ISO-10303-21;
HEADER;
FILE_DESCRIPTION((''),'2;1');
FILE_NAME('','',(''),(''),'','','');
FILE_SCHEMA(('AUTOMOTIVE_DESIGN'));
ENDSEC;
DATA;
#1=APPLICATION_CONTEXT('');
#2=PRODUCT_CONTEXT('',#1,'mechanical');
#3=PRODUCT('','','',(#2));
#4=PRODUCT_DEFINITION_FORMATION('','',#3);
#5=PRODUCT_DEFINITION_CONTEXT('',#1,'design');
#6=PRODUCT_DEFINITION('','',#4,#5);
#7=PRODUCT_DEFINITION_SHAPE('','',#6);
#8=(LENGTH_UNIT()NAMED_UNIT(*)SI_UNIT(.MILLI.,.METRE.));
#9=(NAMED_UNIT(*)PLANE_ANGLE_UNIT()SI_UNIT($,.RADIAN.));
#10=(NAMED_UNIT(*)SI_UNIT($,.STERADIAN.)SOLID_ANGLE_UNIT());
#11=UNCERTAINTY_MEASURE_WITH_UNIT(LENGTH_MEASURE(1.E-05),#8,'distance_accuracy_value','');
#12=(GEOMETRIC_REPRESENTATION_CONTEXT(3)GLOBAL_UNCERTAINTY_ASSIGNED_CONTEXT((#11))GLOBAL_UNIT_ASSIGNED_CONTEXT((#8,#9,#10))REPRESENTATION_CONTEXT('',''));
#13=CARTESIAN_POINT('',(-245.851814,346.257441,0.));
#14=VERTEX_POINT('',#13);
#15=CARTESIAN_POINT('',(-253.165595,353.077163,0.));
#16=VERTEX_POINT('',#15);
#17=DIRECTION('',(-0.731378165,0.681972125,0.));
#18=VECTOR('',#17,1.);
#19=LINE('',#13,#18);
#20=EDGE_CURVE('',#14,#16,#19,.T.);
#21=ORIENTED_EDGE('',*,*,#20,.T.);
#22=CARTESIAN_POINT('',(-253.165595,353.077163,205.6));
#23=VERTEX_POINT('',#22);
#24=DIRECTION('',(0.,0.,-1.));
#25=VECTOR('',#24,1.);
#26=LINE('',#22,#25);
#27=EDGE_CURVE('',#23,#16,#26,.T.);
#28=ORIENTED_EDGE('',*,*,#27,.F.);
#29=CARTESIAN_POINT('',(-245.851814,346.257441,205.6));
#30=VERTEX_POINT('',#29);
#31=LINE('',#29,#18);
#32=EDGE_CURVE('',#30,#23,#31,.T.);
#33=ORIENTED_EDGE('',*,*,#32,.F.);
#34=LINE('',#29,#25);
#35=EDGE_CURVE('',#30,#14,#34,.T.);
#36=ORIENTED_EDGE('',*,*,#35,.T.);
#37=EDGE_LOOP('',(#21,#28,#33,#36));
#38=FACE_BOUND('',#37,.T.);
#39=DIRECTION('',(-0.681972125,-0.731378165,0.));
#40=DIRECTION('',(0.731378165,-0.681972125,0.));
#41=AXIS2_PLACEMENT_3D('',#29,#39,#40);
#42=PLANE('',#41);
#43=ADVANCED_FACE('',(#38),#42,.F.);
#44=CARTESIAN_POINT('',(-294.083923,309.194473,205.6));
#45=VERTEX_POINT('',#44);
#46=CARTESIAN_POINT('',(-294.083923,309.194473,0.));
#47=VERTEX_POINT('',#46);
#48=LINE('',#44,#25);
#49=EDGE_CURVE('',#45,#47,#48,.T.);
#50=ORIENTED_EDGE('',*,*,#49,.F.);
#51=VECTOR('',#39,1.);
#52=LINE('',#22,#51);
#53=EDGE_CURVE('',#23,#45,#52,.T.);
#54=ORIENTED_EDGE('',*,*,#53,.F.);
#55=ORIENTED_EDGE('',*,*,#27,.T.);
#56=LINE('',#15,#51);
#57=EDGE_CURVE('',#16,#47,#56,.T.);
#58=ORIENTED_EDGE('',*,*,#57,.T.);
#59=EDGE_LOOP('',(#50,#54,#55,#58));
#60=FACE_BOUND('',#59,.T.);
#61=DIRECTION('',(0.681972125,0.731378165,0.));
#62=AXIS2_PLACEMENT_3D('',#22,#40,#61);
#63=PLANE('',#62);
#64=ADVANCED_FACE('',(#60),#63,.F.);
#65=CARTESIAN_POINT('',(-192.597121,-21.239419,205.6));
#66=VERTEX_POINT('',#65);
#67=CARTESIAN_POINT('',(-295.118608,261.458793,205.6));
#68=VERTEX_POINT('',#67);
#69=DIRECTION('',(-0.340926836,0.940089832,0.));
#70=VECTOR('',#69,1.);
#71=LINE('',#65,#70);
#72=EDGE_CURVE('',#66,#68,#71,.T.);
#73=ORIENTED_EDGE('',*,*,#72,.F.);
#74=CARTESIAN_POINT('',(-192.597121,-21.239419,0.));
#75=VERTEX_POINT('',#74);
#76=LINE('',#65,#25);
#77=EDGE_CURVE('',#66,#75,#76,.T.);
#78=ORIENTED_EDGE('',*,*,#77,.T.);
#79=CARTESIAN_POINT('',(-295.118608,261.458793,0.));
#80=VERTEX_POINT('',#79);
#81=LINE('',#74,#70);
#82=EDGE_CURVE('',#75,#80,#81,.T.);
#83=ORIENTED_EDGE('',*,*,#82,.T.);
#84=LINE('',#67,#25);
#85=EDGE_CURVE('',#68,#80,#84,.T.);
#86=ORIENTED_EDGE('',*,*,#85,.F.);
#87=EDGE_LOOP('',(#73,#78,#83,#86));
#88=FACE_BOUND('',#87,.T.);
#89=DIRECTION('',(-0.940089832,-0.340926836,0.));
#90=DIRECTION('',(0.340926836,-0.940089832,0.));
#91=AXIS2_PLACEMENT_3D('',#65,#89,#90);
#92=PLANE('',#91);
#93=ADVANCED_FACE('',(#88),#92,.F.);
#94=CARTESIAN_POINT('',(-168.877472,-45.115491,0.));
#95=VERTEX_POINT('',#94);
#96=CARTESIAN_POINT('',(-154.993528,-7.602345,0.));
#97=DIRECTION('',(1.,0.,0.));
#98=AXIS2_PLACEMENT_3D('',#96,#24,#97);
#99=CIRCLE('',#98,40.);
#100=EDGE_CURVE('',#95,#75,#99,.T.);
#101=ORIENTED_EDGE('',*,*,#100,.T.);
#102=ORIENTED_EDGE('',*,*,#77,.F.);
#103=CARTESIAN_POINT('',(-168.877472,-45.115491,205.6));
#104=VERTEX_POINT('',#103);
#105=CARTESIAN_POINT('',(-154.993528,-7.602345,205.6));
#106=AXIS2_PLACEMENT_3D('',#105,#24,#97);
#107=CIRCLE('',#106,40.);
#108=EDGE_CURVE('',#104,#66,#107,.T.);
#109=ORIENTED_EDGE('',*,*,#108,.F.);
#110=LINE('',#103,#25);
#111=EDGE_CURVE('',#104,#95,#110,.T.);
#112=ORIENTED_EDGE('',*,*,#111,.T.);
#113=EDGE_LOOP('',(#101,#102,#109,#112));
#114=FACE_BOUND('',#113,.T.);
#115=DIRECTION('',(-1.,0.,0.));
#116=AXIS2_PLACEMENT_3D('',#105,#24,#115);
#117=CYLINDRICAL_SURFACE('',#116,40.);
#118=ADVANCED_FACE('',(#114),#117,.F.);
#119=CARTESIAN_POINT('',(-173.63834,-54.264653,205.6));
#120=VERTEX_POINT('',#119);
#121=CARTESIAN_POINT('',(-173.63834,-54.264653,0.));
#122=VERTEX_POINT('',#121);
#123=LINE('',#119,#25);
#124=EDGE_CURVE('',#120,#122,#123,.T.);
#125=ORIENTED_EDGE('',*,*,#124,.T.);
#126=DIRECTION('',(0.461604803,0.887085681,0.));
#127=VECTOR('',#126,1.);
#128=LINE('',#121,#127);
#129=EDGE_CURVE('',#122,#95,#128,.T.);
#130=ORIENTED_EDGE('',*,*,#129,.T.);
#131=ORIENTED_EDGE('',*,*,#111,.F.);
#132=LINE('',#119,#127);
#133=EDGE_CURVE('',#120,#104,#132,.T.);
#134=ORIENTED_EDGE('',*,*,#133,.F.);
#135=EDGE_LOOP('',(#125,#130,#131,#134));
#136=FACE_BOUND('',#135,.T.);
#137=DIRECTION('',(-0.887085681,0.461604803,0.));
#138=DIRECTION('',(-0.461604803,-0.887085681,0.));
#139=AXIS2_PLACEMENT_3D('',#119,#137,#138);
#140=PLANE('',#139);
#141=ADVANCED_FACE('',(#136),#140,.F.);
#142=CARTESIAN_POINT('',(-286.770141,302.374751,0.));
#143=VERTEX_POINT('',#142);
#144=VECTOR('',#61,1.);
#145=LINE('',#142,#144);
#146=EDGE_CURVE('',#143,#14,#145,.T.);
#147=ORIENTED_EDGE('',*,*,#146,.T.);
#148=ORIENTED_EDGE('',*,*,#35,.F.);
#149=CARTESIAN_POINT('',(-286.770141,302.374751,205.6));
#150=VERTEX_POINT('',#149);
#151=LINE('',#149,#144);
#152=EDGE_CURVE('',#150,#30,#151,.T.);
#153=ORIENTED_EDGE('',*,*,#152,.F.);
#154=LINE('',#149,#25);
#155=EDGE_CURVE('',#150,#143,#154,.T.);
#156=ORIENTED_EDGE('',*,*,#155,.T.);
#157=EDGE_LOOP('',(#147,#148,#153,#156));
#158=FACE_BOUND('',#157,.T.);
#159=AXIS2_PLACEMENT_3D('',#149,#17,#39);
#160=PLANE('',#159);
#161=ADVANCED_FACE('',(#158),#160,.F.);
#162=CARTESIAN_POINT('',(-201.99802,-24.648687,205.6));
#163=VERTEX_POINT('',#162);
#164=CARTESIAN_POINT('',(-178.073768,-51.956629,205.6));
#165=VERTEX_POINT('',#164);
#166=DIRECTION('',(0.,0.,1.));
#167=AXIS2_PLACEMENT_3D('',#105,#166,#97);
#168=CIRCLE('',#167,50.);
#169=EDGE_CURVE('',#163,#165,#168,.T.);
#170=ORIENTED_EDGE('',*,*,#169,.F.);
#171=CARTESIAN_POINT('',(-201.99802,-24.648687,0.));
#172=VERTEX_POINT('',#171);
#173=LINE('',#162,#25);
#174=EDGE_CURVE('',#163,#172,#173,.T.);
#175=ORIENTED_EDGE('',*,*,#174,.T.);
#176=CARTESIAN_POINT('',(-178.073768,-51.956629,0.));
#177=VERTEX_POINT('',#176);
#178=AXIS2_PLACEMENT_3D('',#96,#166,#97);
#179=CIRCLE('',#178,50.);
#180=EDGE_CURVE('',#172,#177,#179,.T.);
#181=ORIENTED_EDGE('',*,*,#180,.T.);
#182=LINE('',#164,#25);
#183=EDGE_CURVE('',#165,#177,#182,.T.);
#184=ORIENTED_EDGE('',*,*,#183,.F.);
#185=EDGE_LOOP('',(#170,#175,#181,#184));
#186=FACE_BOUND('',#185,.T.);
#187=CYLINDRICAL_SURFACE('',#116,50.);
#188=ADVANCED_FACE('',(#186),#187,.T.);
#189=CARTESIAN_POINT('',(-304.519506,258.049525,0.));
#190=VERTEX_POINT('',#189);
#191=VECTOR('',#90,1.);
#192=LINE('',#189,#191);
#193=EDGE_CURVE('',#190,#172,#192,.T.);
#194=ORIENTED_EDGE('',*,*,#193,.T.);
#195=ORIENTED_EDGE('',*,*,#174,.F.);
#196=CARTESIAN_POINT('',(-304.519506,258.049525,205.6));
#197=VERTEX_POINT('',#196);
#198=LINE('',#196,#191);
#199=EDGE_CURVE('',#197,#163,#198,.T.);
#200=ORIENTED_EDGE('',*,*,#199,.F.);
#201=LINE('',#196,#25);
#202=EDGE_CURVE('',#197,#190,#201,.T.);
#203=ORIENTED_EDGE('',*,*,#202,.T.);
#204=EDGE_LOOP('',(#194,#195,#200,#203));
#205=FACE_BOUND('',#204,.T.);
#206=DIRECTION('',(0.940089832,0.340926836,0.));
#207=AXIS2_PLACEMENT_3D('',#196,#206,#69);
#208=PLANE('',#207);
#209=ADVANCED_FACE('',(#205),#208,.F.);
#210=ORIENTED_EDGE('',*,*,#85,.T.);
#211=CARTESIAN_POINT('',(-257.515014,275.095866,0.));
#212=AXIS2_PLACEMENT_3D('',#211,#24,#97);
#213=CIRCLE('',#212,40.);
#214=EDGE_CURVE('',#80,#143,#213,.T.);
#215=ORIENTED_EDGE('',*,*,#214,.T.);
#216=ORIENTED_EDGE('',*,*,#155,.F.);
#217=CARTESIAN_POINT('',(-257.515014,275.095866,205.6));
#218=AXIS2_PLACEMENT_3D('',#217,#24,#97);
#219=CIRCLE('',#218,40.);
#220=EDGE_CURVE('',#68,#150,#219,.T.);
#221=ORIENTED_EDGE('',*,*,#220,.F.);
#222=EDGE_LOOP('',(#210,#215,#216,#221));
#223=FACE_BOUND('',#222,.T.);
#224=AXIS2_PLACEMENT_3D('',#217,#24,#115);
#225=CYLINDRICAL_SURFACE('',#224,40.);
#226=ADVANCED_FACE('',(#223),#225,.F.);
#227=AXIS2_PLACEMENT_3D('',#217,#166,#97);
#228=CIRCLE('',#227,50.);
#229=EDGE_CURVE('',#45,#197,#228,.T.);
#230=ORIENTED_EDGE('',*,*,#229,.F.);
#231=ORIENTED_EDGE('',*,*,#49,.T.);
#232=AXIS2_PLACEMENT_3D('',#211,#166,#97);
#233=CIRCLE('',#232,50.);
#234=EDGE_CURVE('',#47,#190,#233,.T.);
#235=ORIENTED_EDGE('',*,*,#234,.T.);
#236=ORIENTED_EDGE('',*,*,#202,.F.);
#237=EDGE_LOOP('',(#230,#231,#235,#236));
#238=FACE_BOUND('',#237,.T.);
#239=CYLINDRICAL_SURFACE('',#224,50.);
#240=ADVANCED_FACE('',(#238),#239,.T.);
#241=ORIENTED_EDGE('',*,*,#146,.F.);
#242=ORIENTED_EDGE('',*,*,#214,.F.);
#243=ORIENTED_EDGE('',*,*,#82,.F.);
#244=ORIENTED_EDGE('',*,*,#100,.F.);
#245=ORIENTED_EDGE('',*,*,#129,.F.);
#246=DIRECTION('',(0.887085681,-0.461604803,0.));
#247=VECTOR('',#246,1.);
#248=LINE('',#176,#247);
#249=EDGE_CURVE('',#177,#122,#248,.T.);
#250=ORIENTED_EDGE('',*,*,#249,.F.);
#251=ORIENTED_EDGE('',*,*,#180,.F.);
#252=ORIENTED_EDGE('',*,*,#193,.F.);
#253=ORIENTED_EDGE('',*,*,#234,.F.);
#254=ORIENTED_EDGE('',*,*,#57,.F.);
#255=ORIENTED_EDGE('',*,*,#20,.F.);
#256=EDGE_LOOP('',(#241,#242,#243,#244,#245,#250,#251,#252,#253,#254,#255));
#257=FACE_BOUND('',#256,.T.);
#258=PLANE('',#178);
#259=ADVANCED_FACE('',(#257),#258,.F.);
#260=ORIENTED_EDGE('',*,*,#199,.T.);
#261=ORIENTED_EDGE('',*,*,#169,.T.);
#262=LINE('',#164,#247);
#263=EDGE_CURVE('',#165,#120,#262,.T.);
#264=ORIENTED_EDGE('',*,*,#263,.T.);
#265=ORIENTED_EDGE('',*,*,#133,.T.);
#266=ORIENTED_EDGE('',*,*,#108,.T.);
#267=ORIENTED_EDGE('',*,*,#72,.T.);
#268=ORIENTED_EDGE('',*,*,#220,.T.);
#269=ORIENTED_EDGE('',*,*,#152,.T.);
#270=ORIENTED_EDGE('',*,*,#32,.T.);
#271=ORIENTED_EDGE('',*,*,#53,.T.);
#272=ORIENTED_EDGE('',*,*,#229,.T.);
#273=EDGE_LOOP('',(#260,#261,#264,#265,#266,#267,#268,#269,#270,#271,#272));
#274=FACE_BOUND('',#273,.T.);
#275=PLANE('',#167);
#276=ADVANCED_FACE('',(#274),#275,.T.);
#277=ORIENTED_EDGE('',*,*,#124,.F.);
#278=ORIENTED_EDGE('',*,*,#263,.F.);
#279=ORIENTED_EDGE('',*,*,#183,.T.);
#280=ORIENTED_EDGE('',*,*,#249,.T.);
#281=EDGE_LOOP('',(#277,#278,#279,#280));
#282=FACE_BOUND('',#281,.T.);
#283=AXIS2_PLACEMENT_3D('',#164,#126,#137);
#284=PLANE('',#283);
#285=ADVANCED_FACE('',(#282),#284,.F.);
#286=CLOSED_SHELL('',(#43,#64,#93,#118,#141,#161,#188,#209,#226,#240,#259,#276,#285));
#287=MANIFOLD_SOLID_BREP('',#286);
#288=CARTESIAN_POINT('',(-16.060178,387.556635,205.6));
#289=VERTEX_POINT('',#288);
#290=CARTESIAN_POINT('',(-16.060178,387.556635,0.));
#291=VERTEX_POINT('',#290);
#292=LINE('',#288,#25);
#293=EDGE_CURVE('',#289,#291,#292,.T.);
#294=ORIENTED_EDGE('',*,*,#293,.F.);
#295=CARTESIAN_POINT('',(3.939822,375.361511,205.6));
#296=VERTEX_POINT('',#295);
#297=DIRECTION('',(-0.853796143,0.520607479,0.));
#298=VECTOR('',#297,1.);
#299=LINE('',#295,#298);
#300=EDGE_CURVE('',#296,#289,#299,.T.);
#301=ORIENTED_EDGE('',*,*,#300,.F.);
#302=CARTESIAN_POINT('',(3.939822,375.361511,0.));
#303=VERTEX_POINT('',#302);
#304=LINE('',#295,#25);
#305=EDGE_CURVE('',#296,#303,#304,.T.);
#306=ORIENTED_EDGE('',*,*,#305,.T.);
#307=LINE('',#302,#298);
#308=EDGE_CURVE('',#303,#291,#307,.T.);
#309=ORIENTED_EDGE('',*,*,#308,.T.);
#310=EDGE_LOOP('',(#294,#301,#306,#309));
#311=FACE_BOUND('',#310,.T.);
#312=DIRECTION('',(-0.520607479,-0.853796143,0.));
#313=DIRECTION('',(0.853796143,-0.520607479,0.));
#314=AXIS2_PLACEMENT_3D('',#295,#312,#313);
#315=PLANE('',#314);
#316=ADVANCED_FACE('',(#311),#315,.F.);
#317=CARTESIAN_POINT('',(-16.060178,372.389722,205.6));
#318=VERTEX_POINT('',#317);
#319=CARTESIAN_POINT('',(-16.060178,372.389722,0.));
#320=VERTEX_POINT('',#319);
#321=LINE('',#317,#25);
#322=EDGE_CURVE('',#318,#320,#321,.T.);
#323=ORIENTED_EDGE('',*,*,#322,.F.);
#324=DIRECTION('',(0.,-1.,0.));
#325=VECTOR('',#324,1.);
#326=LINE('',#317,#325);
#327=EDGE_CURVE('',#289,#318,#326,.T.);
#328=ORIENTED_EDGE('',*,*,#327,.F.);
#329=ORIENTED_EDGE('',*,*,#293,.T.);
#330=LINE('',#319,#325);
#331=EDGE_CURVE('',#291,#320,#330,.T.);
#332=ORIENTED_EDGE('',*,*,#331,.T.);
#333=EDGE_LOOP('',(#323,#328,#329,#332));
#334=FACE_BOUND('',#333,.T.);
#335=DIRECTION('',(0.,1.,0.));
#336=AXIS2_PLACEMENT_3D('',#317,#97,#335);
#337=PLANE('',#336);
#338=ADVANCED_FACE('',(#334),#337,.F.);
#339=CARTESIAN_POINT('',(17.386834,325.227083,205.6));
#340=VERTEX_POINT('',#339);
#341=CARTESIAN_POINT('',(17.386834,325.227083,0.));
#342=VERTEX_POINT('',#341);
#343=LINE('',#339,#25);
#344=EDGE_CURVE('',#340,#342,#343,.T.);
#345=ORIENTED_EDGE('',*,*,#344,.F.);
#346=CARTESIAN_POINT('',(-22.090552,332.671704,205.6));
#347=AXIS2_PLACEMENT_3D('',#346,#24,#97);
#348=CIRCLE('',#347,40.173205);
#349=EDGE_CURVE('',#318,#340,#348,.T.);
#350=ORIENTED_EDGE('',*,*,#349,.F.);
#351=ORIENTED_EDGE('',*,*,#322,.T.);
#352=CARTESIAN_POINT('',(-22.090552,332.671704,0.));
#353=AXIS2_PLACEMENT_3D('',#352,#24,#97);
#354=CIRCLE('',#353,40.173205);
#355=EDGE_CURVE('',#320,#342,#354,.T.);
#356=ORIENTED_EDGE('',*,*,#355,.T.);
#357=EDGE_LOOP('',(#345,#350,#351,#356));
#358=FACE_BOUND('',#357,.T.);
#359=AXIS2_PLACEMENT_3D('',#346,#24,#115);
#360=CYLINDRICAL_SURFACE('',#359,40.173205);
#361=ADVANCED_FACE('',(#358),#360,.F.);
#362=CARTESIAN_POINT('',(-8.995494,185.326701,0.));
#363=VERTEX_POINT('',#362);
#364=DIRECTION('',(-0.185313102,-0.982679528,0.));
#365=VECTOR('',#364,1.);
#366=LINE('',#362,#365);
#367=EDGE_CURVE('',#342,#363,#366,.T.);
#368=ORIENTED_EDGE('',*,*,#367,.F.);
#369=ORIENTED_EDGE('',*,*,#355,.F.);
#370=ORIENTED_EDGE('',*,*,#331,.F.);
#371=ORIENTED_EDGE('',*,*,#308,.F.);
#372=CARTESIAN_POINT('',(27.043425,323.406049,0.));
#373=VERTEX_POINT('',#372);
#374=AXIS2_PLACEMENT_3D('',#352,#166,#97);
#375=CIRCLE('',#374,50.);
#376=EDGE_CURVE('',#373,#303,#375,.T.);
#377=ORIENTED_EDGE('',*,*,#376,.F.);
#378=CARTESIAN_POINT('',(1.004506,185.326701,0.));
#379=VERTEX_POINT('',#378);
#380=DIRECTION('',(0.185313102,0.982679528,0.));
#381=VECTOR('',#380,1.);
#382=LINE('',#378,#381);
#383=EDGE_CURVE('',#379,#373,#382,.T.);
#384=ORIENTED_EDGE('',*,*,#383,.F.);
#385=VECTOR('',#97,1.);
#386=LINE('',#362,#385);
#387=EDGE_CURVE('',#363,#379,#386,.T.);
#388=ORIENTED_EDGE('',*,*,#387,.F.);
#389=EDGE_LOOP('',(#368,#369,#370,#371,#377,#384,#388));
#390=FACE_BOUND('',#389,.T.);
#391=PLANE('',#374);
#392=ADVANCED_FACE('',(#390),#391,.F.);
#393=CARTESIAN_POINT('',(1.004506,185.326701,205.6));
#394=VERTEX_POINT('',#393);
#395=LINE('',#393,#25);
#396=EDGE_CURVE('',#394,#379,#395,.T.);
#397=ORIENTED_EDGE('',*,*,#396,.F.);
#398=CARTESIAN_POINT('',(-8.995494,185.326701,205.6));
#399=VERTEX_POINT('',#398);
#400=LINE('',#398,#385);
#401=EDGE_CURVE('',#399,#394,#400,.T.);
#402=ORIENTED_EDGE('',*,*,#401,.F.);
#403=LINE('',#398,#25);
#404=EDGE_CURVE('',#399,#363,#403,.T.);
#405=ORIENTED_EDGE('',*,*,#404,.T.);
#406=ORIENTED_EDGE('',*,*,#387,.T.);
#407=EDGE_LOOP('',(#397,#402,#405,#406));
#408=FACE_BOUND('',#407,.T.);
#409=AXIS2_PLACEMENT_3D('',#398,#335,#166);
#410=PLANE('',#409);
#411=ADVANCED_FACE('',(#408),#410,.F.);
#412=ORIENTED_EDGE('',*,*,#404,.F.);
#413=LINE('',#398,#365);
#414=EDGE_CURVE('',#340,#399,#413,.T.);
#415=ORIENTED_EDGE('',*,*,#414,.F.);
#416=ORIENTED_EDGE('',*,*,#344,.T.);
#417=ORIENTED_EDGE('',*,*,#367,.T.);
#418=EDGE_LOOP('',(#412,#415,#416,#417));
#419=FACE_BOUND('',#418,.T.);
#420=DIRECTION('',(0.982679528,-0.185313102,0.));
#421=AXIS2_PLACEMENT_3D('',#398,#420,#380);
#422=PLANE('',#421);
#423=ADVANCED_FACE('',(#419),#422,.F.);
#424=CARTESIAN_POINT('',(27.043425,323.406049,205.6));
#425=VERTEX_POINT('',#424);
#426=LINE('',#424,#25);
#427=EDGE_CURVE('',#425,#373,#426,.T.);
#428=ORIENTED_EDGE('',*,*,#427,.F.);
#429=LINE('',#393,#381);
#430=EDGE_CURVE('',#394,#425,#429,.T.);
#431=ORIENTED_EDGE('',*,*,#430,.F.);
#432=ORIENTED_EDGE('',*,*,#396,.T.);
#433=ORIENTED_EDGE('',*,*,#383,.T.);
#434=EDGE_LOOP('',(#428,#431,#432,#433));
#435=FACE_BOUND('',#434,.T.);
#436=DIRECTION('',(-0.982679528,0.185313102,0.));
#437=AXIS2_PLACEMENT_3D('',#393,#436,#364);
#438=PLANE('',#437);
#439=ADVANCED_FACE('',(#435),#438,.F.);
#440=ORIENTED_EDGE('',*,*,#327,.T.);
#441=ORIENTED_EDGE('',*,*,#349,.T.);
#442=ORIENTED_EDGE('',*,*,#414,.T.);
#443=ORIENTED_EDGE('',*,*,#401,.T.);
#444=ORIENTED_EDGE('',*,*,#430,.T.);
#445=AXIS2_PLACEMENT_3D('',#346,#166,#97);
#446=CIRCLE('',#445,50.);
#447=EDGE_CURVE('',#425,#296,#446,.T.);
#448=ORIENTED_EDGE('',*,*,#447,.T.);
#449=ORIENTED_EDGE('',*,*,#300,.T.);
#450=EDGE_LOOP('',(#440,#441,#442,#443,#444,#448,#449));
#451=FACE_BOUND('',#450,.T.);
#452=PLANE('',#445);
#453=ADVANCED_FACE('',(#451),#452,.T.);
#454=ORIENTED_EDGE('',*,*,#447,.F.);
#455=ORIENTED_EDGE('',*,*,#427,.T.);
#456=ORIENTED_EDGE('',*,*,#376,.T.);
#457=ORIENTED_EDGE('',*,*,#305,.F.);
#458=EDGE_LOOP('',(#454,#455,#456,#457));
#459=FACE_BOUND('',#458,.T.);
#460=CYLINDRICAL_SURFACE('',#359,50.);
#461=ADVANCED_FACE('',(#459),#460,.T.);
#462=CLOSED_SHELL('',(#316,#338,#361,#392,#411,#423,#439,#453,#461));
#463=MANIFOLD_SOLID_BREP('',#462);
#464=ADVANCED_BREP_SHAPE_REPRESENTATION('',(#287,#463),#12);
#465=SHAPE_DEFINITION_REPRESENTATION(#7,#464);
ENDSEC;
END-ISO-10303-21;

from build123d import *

# Parameters (mm, degrees)
EXTRUDE_1_DEPTH   = 205.6
EXTRUDE_1_2_DEPTH = 205.6


with BuildPart() as part:
    # 草图1 → 凸台-拉伸1 (new body)
    with BuildSketch(Plane.XY):
        with BuildLine():
            Line((-8.995494076, 185.326700571), (1.004505924, 185.326700571))
            Line((1.004505924, 185.326700571), (27.04342469, 323.406049026))
            ThreePointArc((27.04342469, 323.406049026), (23.5960153, 352.98764851), (3.939822245, 375.361511256))
            Line((3.939822245, 375.361511256), (-16.060177755, 387.55663496))
            Line((-16.060177755, 387.55663496), (-16.060177755, 372.389722306))
            ThreePointArc((-16.060177755, 372.389722306), (10.678605878, 355.911082125), (17.386834148, 325.227082942))
            Line((17.386834148, 325.227082942), (-8.995494076, 185.326700571))
        make_face()
    extrude(amount=EXTRUDE_1_DEPTH)


with BuildPart() as body_2:
    # 草图1 → Extrude 1 2 (new body)
    with BuildSketch(Plane.XY):
        with BuildLine():
            Line((-173.638339805, -54.26465335), (-168.877472349, -45.115490849))
            ThreePointArc((-168.877472349, -45.115490849), (-183.370602204, -35.793508136), (-192.597121359, -21.239418711))
            Line((-192.597121359, -21.239418711), (-295.118607687, 261.458792952))
            ThreePointArc((-295.118607687, 261.458792952), (-296.707501188, 283.092676983), (-286.770141016, 302.374751396))
            Line((-286.770141016, 302.374751396), (-245.851813515, 346.257441315))
            Line((-245.851813515, 346.257441315), (-253.165595168, 353.077162565))
            Line((-253.165595168, 353.077162565), (-294.083922669, 309.194472646))
            ThreePointArc((-294.083922669, 309.194472646), (-306.505622885, 285.09187963), (-304.519506008, 258.049524591))
            Line((-304.519506008, 258.049524591), (-201.99801968, -24.648687072))
            ThreePointArc((-201.99801968, -24.648687072), (-192.602015595, -40.550815133), (-178.073768212, -51.956629336))
            Line((-178.073768212, -51.956629336), (-173.638339805, -54.26465335))
        make_face()
    extrude(amount=EXTRUDE_1_2_DEPTH)


solid = Compound([part.part, body_2.part])
